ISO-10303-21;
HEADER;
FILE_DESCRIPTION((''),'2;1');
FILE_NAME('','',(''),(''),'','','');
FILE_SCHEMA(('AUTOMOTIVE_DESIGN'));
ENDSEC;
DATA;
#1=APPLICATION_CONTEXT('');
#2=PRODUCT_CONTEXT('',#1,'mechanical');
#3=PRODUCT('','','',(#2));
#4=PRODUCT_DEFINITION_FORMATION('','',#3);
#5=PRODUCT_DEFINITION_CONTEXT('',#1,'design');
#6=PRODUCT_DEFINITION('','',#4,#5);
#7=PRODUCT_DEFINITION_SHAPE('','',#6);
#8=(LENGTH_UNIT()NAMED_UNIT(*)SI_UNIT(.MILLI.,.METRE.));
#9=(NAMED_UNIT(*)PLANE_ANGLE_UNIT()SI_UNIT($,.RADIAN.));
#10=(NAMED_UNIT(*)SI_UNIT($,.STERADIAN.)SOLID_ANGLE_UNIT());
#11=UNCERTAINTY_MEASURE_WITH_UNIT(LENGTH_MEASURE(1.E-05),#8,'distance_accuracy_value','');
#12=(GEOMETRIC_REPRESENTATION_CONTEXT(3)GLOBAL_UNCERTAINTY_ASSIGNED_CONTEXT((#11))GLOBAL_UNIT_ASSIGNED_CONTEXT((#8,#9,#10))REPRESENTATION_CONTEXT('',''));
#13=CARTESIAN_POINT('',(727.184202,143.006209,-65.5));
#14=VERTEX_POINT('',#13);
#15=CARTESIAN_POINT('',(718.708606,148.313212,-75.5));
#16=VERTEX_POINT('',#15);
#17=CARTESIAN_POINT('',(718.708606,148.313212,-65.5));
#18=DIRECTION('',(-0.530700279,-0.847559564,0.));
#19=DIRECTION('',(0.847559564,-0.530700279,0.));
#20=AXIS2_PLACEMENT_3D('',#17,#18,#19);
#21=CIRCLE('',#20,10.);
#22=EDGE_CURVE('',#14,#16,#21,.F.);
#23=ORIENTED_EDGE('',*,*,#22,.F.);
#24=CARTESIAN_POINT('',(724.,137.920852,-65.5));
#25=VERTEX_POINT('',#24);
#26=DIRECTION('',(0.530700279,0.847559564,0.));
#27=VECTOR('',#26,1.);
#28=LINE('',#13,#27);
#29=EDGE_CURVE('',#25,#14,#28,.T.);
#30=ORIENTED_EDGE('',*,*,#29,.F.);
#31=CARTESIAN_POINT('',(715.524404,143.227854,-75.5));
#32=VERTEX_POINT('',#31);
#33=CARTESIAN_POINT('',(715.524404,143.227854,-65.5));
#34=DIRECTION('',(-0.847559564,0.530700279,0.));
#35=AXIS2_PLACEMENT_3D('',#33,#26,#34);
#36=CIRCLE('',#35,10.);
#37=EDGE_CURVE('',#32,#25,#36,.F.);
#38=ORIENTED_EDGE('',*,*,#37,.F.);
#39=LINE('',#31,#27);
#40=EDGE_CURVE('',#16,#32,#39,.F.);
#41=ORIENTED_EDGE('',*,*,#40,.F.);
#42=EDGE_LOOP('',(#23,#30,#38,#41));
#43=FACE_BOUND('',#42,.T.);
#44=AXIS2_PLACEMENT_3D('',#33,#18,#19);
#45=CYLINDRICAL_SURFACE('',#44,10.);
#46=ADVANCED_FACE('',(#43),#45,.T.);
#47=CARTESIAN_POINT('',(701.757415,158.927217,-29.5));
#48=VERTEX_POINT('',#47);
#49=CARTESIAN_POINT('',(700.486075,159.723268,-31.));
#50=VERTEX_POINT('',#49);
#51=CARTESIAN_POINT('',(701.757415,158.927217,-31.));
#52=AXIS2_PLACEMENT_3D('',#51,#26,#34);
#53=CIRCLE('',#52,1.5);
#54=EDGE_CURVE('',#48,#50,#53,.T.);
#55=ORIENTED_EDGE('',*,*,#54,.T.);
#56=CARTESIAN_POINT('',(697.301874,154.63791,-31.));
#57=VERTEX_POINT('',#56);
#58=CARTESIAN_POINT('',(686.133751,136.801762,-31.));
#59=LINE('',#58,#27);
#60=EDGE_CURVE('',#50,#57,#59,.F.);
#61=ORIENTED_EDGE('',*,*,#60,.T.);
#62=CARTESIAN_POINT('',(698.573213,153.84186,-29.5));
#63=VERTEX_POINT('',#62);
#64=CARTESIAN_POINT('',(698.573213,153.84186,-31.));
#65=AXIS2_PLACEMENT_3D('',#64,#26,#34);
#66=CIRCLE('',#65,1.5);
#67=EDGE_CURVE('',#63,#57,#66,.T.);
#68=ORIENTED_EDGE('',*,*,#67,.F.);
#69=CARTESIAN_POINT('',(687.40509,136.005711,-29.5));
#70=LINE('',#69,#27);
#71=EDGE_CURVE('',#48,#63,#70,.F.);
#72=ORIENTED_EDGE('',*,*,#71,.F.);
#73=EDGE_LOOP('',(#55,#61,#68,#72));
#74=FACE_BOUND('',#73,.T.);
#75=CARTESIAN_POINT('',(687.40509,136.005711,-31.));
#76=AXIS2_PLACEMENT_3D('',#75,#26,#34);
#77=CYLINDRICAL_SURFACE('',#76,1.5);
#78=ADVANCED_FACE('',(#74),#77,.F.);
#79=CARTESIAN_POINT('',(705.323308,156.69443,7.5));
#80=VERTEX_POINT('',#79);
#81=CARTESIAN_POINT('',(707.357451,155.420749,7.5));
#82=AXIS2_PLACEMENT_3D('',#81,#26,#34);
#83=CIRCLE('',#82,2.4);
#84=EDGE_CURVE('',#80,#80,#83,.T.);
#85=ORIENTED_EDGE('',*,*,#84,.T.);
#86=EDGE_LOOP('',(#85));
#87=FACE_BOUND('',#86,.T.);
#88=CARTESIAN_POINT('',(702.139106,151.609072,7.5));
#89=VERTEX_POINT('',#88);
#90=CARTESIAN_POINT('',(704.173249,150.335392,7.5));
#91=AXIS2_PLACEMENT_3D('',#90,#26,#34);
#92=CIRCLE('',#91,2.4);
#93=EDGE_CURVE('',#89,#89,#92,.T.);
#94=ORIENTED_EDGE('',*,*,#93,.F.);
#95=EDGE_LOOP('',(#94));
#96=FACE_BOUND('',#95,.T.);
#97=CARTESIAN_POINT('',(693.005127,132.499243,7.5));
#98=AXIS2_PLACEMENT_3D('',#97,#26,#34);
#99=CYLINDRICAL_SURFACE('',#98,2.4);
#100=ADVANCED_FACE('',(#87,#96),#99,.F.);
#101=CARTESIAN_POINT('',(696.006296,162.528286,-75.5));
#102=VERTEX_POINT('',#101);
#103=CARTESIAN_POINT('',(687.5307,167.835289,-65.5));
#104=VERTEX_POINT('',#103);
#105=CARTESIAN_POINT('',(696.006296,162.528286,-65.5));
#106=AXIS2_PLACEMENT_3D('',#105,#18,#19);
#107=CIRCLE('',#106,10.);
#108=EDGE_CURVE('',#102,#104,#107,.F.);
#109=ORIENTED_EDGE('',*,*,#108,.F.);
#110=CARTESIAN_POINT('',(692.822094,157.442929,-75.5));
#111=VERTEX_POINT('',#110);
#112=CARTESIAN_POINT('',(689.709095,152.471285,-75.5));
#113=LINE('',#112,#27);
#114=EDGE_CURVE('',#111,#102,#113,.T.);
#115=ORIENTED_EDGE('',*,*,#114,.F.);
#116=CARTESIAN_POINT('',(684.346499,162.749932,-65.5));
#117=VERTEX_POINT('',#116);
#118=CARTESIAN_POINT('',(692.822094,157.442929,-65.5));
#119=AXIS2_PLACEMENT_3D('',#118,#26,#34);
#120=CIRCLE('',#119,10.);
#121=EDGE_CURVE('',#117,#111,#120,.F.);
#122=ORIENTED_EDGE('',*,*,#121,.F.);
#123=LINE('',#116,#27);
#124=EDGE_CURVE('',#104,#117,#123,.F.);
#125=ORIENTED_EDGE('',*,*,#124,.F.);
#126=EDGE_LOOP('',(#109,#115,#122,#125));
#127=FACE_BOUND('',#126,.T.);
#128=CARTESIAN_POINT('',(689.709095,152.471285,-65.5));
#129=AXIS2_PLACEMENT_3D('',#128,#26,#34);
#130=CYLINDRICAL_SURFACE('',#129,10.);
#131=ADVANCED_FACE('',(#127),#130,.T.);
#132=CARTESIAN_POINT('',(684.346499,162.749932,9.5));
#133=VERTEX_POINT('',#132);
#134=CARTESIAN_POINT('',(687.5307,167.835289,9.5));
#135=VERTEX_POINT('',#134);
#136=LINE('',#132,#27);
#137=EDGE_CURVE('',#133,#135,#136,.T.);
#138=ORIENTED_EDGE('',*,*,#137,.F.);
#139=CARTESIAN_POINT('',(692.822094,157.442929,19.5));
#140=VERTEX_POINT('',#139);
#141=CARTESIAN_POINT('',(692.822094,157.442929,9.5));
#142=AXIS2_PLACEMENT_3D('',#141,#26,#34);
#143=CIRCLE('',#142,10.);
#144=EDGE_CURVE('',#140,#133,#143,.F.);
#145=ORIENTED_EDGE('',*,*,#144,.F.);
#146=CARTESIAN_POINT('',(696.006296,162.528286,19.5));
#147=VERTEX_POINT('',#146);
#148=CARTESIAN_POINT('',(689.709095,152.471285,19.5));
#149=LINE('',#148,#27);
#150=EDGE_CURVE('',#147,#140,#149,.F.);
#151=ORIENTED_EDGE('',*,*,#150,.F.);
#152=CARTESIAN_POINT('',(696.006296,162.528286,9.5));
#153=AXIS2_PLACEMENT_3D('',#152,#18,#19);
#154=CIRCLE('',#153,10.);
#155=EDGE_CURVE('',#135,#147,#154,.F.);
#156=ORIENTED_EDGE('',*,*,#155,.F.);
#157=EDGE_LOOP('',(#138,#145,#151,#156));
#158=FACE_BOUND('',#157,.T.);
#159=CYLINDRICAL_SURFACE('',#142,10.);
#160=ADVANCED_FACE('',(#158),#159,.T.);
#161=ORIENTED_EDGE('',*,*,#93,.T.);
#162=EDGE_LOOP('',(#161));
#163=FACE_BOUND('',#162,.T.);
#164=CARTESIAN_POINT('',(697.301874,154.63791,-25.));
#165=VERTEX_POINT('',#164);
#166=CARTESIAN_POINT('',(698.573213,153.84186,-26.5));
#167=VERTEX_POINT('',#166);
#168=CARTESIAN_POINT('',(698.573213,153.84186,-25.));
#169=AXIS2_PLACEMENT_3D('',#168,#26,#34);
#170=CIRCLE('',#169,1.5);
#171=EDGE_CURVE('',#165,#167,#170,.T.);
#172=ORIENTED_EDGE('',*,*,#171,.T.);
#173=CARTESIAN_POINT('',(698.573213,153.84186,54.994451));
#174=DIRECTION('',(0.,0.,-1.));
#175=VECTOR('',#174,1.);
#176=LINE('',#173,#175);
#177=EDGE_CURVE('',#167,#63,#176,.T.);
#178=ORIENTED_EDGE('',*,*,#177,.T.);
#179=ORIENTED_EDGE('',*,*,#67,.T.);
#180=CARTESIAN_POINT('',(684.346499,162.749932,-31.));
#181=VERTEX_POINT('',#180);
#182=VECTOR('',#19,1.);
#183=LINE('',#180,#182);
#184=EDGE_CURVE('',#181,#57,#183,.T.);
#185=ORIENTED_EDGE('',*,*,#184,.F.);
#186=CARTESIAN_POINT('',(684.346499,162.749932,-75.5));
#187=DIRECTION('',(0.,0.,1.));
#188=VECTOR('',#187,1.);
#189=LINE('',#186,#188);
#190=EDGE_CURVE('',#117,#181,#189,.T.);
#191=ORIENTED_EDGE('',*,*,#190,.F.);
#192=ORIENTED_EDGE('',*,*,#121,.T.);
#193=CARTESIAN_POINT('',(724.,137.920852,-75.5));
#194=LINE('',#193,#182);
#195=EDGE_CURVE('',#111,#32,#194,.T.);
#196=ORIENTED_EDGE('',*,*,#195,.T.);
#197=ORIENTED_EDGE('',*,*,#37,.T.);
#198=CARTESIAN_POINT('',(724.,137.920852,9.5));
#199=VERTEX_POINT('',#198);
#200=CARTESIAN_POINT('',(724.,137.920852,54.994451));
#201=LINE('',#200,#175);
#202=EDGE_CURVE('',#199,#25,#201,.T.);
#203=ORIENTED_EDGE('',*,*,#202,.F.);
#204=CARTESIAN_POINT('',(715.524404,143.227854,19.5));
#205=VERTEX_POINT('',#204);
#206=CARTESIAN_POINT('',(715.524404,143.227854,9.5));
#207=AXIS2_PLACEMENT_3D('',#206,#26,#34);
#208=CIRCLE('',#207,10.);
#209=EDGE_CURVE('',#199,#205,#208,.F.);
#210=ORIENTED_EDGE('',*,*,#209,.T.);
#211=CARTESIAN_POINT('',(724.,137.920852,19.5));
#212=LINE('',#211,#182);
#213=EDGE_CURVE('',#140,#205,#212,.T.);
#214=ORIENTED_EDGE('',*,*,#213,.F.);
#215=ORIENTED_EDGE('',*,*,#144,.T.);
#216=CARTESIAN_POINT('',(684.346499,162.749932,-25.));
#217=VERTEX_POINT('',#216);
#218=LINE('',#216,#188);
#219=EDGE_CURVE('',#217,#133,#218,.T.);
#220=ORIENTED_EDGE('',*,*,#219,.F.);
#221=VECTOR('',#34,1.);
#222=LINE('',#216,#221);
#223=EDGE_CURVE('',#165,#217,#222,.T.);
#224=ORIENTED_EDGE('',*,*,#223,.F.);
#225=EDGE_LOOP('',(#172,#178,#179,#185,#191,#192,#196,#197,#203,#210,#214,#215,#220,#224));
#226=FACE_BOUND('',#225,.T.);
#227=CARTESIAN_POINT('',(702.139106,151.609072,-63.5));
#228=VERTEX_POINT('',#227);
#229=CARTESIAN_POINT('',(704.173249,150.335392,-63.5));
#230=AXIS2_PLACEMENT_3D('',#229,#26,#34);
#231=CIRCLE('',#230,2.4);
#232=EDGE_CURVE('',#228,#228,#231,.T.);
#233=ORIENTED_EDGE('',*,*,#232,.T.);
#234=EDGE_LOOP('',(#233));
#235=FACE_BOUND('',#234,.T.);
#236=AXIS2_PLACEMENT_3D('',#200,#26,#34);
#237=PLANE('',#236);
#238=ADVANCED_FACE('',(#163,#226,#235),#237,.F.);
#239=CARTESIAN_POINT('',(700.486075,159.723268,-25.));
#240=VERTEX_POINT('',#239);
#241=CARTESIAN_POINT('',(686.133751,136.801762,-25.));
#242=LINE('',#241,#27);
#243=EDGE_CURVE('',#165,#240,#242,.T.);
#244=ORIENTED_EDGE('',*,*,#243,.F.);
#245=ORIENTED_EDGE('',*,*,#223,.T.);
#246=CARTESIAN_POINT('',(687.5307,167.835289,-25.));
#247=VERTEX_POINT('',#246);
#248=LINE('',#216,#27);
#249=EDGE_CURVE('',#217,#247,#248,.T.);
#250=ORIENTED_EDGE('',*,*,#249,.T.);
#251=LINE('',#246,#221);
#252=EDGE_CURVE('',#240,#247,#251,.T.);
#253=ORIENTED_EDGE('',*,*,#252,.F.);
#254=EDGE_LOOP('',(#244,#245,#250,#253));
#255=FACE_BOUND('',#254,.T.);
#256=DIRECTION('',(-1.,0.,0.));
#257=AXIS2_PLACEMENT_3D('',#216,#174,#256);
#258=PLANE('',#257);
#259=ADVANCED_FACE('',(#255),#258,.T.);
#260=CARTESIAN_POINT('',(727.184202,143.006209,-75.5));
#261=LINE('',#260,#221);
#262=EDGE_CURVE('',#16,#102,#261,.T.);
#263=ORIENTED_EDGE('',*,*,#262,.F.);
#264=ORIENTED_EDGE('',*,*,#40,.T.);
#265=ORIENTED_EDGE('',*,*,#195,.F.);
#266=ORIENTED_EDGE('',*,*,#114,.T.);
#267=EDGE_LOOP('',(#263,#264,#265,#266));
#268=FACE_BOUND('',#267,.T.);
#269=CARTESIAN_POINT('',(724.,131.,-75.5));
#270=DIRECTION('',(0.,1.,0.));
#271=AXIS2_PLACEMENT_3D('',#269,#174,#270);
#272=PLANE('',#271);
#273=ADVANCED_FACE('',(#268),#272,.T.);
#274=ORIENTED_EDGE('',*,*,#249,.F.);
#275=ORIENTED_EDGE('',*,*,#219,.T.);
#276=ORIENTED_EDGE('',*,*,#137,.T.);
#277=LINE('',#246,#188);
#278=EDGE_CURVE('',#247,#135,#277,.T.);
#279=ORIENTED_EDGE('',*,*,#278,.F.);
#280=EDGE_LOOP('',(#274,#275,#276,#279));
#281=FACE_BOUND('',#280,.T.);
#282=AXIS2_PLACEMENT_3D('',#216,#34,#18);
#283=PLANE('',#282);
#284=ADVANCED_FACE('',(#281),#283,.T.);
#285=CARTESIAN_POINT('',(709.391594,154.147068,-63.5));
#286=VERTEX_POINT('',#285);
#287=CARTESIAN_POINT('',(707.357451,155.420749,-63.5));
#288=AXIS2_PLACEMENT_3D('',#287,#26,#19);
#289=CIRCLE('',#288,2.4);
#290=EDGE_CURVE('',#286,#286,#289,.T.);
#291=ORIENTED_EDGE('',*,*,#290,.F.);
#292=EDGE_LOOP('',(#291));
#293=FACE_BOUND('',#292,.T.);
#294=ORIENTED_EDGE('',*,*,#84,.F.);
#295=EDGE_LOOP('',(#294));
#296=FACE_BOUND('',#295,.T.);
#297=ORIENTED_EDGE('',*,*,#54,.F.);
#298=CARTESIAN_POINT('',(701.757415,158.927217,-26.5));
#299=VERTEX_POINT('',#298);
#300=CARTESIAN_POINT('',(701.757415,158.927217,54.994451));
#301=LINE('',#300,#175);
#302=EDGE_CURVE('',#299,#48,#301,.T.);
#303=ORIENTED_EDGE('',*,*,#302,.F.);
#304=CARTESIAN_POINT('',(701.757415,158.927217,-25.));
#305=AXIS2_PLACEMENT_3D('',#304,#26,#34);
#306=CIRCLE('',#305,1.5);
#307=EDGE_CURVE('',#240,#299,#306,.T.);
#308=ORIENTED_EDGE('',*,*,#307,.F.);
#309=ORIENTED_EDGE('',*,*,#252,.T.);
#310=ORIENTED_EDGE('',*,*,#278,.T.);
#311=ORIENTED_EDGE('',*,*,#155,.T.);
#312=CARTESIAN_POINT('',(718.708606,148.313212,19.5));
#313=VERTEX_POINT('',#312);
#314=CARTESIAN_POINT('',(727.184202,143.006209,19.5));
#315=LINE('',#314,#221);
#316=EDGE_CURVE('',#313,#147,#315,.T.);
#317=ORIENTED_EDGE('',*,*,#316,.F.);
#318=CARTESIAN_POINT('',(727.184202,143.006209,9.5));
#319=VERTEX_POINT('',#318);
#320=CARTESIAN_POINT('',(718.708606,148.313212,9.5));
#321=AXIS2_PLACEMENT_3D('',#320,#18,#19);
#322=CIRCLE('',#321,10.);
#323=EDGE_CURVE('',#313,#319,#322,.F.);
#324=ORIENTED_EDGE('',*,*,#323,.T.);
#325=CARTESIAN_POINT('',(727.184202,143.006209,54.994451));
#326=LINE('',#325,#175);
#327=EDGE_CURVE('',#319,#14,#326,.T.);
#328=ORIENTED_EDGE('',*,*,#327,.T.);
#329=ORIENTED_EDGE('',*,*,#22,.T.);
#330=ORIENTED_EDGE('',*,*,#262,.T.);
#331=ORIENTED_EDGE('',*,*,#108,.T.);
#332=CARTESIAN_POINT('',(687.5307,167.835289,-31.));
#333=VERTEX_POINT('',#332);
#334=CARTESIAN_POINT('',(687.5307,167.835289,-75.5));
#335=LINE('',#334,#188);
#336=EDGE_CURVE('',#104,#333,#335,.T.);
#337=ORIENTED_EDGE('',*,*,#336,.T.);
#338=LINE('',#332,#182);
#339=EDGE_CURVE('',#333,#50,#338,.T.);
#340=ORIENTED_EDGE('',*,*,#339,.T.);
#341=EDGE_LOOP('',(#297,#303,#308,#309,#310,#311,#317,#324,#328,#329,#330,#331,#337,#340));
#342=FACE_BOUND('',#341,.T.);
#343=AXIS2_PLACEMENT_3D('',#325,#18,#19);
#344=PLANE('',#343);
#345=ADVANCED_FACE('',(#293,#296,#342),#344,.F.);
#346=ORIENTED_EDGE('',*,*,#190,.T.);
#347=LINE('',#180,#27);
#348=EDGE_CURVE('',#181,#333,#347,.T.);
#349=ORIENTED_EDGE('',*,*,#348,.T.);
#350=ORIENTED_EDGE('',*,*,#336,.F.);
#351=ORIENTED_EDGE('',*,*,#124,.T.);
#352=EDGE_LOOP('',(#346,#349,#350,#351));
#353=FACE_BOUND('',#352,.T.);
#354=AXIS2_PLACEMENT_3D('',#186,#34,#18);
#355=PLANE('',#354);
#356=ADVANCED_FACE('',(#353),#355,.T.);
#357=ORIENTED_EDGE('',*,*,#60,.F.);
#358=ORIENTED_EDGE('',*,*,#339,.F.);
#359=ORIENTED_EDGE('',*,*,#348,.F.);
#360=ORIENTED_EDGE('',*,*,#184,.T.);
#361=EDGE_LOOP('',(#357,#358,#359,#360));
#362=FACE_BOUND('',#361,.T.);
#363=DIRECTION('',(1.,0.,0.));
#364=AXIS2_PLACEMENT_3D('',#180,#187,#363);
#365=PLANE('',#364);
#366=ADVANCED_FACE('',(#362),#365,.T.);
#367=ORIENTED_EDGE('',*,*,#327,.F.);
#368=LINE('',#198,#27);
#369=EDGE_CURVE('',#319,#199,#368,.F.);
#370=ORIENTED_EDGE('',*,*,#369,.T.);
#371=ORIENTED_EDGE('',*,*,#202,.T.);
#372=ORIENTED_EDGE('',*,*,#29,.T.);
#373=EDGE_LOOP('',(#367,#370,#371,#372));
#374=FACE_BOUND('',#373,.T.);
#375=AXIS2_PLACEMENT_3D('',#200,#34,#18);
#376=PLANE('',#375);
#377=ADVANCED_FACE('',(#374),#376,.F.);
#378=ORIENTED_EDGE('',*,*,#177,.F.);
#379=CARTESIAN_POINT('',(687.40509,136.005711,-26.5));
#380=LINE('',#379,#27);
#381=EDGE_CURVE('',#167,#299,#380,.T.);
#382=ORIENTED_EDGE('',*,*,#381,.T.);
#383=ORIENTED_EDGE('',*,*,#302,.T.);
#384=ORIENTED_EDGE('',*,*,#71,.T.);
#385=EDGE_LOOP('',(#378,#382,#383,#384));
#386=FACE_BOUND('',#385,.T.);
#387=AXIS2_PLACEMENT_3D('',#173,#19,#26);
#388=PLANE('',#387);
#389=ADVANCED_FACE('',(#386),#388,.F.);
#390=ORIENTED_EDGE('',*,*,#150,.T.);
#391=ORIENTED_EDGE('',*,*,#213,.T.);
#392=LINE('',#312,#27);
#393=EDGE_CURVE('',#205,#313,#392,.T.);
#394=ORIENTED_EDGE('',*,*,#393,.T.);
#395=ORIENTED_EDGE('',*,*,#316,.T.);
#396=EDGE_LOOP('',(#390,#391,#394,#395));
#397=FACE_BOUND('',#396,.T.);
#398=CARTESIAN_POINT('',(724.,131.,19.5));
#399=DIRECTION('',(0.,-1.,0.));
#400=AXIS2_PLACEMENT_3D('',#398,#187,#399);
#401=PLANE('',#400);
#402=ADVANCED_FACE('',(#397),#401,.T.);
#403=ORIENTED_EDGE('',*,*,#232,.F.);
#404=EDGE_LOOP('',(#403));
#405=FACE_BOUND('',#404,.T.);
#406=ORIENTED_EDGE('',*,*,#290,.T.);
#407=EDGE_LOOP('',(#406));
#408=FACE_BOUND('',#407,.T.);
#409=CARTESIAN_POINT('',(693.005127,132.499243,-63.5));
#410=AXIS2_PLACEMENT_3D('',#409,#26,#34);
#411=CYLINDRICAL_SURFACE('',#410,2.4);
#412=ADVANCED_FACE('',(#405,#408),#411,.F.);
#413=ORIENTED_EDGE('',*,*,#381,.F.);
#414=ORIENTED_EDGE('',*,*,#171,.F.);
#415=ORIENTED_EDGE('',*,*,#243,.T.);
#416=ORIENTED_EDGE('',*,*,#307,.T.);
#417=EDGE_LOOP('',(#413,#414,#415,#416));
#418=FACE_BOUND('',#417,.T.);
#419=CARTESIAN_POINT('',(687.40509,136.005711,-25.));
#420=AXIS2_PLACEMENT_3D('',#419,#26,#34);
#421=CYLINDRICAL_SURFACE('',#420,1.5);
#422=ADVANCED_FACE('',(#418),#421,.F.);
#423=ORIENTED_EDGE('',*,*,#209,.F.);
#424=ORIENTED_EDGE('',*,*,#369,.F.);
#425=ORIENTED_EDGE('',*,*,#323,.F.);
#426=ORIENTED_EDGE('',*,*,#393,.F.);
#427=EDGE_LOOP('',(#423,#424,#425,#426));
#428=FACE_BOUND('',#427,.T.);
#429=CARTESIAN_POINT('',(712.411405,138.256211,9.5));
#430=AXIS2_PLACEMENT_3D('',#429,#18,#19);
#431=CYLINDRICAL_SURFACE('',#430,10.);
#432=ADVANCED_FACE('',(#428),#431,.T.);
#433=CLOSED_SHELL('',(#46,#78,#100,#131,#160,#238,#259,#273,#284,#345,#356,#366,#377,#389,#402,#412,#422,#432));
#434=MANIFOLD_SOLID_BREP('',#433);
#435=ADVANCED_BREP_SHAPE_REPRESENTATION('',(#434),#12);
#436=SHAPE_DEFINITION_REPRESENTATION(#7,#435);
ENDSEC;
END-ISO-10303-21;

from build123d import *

# Parameters (mm, degrees)
BOSS_EXTRUDE1_DEPTH      = 44.5
BOSS_EXTRUDE1_DEPTH_BACK = 50.5
SKETCH2_W                = 16.785504055
SKETCH2_H                = 44.5
BOSS_EXTRUDE2_DEPTH      = 6
FILLET1_R                = 10
SKETCH3_R                = 1.5
SKETCH3_R_2              = 2.4
CUT_EXTRUDE1_DEPTH       = 549.376643642


with BuildPart() as part:
    # Sketch1 → Boss-Extrude1 (new, two sides: drawn at the far end of the back side and taken through both)
    with BuildSketch(Plane.XY.offset(-25).offset(-BOSS_EXTRUDE1_DEPTH_BACK)):
        Polygon((724, 137.920851515), (698.573213095, 153.84185989), (701.75741477, 158.927217271), (727.184201675, 143.006208896), align=None)
    extrude(amount=BOSS_EXTRUDE1_DEPTH + BOSS_EXTRUDE1_DEPTH_BACK)

    # Sketch2 → Boss-Extrude2 (add)
    with BuildSketch(Plane(origin=(269.130391352, 429.817066188, 0), x_dir=(0.8475595635030609, -0.5307002791731893, 0), z_dir=(0.5307002791731893, 0.8475595635030609, 0))):
        with Locations((502.045737546, 53.25)):
            Rectangle(SKETCH2_W, SKETCH2_H)
        with Locations((502.045737546, 2.75)):
            Rectangle(SKETCH2_W, SKETCH2_H)
    extrude(amount=-BOSS_EXTRUDE2_DEPTH)

    # Fillet1
    fillet1_edges = [part.edges().sort_by_distance(p)[0] for p in [
        (725.592100838, 140.463530205, -75.5),
        (725.592100838, 140.463530205, 19.5),
        (685.938599442, 165.292610269, -75.5),
        (685.938599442, 165.292610269, 19.5),
    ]]
    fillet(fillet1_edges, radius=FILLET1_R)

    # Sketch3 → Cut-Extrude1 (cut, through all)
    with BuildSketch(Plane(origin=(269.130391352, 429.817066188, 0), x_dir=(0.8475595635030609, -0.5307002791731893, 0), z_dir=(0.5307002791731893, 0.8475595635030609, 0))):
        with Locations((510.438489573, 25)):
            Circle(SKETCH3_R)
        with Locations((510.438489573, 31)):
            Circle(SKETCH3_R)
        with Locations(Location((517.045737546, -7.5, 0), (0, 0, 180))):
            Circle(SKETCH3_R_2)
        with Locations(Location((517.045737546, 63.5, 0), (0, 0, 180))):
            Circle(SKETCH3_R_2)
    extrude(amount=-CUT_EXTRUDE1_DEPTH, mode=Mode.SUBTRACT)


solid = part.part
